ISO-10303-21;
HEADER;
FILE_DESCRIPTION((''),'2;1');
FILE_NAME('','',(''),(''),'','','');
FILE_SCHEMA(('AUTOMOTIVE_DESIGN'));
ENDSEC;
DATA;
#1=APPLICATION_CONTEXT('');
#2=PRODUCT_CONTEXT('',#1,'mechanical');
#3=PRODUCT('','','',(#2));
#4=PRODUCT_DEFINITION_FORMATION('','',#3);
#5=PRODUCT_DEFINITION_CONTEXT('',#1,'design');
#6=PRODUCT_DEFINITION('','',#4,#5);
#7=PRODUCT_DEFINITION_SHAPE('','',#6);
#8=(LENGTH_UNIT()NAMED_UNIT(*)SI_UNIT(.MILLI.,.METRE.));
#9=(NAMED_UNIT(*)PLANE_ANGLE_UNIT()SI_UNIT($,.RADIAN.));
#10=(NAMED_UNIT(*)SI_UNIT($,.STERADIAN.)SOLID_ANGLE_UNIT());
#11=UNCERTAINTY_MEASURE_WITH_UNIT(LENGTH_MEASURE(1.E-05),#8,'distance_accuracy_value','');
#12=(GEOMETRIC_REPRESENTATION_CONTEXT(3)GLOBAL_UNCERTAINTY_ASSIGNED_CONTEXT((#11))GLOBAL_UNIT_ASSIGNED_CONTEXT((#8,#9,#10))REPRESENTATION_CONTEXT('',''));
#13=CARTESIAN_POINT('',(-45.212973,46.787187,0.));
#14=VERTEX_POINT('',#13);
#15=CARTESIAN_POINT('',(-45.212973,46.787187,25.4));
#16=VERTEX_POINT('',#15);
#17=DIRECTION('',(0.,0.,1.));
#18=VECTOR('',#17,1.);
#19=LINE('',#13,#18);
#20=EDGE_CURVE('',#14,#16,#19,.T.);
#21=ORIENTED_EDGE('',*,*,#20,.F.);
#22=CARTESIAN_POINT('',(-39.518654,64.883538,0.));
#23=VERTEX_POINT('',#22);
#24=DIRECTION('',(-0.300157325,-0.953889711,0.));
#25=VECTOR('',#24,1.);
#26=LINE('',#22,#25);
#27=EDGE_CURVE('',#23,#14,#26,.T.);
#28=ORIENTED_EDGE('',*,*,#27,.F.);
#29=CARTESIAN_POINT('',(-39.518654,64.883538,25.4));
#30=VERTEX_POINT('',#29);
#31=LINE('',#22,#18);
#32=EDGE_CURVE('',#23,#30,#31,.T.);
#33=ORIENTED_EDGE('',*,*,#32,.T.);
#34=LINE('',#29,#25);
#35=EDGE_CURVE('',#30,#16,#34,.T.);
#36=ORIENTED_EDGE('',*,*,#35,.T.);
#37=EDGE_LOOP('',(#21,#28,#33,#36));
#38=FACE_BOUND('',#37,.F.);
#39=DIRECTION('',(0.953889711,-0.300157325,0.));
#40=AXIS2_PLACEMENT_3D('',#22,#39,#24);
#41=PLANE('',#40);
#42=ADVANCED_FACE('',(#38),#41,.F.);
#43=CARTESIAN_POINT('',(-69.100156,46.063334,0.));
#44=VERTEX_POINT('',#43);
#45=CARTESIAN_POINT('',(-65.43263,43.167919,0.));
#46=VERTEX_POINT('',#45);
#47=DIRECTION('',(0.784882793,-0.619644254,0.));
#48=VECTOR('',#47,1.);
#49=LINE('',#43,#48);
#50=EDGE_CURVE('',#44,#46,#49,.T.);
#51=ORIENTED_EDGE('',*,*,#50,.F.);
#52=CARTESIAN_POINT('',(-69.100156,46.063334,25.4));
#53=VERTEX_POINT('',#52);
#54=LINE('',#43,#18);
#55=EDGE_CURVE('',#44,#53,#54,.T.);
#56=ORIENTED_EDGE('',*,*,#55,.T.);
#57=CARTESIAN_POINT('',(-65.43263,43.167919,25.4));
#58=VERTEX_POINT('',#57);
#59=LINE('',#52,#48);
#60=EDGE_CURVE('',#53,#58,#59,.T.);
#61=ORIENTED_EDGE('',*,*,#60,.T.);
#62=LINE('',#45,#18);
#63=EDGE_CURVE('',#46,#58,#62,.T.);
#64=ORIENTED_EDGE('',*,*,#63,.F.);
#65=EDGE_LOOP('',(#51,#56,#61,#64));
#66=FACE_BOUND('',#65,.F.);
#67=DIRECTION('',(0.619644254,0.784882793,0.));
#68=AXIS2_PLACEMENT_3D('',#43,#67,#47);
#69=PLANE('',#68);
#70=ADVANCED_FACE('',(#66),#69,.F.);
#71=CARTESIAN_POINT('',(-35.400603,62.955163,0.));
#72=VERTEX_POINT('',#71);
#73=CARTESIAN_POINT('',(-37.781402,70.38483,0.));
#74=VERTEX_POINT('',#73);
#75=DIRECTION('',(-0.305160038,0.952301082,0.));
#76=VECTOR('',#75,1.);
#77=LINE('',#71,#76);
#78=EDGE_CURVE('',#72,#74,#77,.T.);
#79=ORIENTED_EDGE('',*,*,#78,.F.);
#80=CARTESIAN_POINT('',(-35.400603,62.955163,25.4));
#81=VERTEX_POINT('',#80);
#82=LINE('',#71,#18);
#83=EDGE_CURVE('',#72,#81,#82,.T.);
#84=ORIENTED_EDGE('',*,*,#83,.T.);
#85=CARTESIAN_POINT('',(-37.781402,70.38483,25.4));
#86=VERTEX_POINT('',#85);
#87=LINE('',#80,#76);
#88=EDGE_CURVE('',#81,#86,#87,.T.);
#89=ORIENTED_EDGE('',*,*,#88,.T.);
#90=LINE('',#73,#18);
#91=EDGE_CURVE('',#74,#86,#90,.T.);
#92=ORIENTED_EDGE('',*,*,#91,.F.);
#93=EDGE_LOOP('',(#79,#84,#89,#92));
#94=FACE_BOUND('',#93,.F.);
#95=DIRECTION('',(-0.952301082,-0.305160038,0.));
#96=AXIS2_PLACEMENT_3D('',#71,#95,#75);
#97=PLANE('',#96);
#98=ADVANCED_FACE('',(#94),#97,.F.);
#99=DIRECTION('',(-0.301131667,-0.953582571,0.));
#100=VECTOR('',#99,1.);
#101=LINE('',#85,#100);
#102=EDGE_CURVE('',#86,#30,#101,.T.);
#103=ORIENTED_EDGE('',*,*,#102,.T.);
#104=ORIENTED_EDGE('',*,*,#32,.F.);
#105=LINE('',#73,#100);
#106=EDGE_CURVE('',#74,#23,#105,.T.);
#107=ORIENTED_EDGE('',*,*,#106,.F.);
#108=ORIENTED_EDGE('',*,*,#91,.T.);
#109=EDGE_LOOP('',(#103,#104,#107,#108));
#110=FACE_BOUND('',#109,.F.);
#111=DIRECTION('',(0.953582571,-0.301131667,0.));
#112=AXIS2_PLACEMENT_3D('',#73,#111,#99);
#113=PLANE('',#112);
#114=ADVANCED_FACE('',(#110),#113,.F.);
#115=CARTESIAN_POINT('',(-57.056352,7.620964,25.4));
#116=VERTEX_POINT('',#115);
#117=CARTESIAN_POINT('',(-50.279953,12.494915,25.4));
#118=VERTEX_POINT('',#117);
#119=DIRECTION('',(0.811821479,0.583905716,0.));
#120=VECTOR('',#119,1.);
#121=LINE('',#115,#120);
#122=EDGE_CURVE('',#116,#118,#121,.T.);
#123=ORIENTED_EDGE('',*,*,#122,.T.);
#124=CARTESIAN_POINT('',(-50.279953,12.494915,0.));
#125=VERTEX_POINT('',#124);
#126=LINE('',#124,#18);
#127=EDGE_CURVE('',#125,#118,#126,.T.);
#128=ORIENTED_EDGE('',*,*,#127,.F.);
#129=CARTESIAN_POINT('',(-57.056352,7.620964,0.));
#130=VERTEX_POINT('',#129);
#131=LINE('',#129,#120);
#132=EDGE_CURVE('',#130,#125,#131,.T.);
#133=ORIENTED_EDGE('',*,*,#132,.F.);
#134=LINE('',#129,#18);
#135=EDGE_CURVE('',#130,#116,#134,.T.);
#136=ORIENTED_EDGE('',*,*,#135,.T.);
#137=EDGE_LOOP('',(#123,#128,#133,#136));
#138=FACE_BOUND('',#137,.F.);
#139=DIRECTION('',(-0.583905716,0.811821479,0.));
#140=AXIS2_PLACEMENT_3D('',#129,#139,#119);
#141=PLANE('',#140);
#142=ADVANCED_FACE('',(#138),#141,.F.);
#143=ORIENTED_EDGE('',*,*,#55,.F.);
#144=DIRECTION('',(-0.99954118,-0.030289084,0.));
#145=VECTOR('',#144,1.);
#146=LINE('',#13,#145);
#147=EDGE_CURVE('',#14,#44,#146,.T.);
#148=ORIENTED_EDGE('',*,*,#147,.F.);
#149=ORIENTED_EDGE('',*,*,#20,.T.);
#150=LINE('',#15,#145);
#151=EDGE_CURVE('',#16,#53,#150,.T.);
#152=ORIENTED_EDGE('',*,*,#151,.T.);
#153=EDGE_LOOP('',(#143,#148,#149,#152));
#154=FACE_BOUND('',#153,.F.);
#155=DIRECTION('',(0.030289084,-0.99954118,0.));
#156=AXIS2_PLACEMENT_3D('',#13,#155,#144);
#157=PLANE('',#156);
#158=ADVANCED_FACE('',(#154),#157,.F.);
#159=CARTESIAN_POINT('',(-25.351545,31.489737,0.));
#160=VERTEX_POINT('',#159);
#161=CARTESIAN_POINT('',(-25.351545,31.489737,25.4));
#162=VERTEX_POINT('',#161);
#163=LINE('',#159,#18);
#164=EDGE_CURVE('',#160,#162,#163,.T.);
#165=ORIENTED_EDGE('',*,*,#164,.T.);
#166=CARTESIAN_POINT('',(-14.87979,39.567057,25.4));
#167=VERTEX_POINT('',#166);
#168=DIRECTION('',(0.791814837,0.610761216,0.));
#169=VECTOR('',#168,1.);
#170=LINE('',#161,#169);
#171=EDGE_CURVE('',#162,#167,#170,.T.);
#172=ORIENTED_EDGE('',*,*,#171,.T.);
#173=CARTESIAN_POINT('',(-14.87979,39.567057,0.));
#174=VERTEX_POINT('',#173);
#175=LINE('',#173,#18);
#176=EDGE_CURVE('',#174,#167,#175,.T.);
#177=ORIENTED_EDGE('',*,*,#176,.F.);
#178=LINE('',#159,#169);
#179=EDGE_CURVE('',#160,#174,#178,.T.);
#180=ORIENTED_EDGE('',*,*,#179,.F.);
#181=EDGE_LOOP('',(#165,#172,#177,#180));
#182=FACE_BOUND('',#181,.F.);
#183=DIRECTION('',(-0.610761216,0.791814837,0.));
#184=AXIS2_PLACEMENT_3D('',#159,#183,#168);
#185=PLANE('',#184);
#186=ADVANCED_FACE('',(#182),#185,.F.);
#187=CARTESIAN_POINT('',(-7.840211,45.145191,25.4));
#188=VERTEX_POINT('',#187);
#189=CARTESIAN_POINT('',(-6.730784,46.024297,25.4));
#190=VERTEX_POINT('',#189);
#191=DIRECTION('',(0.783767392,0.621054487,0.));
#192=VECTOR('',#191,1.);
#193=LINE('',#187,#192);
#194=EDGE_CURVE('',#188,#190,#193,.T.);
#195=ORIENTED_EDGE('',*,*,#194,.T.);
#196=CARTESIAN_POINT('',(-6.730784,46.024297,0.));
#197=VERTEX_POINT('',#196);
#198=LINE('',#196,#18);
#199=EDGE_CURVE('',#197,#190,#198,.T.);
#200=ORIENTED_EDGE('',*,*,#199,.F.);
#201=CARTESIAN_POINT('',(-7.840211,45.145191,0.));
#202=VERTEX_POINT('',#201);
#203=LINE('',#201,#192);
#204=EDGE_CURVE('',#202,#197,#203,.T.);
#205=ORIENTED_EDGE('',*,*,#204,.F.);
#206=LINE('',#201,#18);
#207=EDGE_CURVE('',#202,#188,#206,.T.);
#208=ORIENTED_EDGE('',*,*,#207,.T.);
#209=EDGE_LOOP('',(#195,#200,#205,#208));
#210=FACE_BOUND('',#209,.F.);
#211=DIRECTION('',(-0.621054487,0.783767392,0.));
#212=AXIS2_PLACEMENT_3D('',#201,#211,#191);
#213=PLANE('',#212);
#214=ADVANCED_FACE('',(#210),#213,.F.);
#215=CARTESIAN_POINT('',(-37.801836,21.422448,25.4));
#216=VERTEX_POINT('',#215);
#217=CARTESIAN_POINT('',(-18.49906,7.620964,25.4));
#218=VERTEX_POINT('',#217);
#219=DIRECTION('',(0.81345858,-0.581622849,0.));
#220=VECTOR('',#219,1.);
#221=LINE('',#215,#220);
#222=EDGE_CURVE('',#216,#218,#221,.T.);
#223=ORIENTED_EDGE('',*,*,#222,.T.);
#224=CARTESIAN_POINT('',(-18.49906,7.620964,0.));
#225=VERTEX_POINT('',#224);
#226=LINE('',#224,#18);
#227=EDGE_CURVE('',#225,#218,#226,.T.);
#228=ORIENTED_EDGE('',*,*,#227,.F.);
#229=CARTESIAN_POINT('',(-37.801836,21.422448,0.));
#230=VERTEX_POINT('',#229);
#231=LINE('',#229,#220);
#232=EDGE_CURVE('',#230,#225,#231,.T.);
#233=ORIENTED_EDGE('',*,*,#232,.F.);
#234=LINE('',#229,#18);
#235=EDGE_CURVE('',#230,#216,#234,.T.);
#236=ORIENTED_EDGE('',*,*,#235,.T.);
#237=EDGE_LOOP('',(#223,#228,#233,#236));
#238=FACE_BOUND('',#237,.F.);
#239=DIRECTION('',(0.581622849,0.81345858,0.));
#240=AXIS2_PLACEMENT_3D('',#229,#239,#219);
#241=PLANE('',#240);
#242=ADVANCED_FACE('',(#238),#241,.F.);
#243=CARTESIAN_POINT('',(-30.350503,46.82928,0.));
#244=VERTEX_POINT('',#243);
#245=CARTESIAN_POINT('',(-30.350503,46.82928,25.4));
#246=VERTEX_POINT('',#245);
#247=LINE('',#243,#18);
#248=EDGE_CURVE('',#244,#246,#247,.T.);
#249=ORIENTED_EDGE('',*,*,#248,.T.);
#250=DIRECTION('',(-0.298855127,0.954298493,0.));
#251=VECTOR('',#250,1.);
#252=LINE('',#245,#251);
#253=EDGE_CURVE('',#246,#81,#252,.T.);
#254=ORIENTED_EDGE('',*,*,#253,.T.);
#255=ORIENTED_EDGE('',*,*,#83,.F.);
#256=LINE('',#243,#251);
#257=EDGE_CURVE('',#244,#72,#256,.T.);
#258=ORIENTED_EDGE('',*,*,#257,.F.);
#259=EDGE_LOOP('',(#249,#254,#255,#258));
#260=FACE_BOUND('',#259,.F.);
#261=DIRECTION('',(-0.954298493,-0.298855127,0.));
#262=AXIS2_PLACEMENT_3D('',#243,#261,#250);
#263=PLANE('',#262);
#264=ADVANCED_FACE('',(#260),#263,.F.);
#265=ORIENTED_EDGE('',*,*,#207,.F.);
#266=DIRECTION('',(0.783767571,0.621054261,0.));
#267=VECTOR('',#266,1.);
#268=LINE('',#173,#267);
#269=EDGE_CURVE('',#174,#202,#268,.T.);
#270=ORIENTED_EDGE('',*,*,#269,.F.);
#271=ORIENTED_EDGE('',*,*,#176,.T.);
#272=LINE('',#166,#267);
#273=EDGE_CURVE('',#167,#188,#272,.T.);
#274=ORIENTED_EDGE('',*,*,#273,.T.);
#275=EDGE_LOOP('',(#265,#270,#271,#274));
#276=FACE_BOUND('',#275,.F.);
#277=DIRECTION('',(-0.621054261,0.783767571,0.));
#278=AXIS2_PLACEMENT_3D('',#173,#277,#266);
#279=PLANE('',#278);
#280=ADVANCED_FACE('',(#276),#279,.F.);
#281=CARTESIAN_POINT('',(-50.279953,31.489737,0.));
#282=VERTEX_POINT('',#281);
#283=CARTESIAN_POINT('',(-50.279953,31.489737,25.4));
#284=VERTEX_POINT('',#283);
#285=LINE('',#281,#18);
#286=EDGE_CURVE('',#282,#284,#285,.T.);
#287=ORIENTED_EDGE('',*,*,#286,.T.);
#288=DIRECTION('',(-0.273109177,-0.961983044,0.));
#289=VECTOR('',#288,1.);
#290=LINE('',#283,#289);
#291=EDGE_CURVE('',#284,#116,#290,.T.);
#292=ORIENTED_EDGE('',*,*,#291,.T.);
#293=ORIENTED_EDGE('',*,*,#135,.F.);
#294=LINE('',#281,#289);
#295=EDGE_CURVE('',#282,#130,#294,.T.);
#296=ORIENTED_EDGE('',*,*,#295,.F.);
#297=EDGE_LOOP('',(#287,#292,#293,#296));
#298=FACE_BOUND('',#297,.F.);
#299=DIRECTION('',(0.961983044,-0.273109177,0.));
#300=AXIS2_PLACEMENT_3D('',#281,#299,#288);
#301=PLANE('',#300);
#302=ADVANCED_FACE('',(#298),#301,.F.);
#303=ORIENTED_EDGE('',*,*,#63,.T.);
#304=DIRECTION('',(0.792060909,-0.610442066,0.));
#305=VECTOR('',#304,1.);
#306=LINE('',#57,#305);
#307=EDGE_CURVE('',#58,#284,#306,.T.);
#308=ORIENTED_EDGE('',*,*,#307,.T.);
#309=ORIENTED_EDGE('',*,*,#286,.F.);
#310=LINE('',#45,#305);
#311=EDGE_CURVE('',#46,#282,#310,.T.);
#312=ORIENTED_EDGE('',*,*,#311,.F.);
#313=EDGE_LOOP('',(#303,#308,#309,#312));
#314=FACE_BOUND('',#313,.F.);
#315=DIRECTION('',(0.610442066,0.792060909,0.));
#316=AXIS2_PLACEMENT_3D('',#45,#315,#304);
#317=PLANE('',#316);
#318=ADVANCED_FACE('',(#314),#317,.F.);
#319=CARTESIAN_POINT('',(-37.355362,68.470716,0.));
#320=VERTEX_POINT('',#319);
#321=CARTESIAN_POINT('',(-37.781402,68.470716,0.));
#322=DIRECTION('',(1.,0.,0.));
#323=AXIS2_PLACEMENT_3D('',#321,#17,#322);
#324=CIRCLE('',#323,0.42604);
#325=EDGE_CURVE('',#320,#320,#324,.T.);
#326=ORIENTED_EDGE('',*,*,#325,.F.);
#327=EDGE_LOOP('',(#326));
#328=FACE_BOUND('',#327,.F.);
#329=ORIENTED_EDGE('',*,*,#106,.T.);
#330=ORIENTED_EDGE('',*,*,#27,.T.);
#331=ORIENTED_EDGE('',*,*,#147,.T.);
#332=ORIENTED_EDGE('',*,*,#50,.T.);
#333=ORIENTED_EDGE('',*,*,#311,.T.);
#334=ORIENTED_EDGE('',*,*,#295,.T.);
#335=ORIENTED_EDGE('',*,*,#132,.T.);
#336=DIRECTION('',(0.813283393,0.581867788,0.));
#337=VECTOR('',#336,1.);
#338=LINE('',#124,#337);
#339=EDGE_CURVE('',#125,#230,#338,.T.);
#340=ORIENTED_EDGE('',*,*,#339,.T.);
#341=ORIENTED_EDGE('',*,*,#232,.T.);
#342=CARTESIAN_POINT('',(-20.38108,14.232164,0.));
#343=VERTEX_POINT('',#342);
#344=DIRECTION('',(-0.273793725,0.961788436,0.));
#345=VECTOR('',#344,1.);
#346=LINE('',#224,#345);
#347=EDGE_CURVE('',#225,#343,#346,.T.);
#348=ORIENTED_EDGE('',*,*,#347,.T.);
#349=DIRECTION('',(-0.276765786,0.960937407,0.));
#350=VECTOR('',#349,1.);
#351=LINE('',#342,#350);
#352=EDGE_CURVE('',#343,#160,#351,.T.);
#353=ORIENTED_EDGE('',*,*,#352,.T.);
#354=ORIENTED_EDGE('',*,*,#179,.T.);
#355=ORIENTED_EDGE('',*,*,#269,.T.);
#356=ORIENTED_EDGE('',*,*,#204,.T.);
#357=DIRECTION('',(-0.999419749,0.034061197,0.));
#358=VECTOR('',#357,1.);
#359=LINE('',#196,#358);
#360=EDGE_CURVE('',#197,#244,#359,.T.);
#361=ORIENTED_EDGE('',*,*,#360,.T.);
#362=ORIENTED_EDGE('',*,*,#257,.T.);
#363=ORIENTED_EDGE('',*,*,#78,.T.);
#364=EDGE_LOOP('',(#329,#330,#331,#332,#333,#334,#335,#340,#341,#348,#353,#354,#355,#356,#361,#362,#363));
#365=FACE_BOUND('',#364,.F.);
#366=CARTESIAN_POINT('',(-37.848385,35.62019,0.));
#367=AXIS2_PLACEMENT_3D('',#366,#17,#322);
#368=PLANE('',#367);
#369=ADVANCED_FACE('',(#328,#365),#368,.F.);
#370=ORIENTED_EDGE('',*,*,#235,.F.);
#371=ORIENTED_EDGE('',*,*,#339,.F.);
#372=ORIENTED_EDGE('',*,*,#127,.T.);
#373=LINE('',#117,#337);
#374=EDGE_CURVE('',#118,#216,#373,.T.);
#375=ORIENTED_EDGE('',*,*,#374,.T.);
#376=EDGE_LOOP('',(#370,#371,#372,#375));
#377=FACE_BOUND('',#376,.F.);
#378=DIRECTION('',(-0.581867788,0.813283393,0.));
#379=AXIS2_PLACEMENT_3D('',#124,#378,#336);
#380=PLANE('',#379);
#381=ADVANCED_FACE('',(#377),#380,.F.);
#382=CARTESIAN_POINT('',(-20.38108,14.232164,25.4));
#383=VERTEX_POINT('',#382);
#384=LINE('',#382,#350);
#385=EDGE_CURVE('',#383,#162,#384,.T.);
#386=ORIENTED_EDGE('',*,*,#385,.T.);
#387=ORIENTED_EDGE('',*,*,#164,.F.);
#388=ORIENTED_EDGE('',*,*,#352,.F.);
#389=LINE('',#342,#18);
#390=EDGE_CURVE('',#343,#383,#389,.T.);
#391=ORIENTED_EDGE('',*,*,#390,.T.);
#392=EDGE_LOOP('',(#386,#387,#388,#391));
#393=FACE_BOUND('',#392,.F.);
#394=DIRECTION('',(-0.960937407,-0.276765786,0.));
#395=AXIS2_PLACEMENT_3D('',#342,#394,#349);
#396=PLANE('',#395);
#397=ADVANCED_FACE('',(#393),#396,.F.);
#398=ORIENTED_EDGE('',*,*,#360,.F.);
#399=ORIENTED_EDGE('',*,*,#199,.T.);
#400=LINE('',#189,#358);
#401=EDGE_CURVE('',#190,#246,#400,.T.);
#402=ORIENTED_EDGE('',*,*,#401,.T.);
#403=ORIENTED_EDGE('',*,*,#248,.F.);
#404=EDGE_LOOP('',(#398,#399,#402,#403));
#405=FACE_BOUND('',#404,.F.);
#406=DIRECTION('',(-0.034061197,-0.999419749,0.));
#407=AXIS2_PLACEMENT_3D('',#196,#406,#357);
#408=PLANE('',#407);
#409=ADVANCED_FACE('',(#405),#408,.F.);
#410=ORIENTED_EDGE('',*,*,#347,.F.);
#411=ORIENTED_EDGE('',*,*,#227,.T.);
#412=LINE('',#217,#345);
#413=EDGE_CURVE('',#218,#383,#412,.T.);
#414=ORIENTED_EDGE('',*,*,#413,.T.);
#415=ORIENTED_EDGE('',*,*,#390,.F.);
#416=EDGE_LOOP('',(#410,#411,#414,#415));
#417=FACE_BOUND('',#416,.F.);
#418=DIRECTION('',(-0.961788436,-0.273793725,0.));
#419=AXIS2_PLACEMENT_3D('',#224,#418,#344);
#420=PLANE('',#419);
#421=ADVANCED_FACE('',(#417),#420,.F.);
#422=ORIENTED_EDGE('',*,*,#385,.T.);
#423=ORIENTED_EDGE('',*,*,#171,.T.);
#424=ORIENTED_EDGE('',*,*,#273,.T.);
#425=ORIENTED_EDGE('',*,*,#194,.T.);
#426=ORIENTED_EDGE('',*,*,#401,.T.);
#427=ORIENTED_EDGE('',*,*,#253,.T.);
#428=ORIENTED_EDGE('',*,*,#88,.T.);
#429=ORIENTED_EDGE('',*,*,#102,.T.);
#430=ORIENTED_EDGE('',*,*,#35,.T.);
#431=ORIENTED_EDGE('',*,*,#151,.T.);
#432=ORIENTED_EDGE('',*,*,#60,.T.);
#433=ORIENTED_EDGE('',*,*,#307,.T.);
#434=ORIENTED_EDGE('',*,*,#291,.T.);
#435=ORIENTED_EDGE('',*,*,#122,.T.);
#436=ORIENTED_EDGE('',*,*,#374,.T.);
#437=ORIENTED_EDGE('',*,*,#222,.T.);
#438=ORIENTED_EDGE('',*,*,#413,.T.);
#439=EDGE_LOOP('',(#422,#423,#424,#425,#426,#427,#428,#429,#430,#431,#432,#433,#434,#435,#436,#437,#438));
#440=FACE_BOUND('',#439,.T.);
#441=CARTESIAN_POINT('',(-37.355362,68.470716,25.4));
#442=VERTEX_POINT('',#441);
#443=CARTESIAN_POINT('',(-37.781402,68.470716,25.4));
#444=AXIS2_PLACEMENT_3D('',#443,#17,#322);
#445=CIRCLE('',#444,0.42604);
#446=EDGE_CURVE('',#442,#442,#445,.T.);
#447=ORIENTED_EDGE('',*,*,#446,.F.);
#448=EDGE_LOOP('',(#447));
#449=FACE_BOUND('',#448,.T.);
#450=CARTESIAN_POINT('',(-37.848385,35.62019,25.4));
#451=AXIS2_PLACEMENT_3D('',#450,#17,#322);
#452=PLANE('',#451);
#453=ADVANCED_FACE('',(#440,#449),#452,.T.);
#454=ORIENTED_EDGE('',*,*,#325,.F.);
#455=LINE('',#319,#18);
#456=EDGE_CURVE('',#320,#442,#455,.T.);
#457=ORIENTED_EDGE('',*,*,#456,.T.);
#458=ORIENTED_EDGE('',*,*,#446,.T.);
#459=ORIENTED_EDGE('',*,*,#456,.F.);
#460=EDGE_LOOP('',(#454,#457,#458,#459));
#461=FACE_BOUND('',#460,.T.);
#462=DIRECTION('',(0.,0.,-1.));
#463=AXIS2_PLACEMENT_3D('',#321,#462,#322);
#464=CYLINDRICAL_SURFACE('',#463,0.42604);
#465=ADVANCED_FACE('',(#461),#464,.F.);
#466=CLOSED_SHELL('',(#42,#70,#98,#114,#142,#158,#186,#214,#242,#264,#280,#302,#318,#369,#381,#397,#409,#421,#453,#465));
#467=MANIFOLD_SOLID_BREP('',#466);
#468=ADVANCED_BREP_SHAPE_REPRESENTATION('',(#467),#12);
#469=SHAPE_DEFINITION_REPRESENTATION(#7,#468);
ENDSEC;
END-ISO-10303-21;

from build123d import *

# Parameters (mm, degrees)
F0_R     = 0.42604
F1_DEPTH = 25.4


with BuildPart() as f1:
    # F0 (on Top) → F1 (new body)
    with BuildSketch(Plane.XY):
        Polygon((-6.730784, 46.024297), (-30.350503, 46.82928), (-35.400603, 62.955163), (-37.781402, 70.38483), (-39.518654, 64.883538), (-45.212973, 46.787187), (-69.100156, 46.063334), (-65.43263, 43.167919), (-50.279953, 31.489737), (-57.056352, 7.620964), (-50.279953, 12.494915), (-37.801836, 21.422448), (-18.49906, 7.620964), (-20.38108, 14.232164), (-25.351545, 31.489737), (-14.87979, 39.567057), (-7.840211, 45.145191), align=None)
        with Locations((-37.781402, 68.470716)):
            Circle(F0_R, mode=Mode.SUBTRACT)
    extrude(amount=F1_DEPTH)


solid = f1.part
